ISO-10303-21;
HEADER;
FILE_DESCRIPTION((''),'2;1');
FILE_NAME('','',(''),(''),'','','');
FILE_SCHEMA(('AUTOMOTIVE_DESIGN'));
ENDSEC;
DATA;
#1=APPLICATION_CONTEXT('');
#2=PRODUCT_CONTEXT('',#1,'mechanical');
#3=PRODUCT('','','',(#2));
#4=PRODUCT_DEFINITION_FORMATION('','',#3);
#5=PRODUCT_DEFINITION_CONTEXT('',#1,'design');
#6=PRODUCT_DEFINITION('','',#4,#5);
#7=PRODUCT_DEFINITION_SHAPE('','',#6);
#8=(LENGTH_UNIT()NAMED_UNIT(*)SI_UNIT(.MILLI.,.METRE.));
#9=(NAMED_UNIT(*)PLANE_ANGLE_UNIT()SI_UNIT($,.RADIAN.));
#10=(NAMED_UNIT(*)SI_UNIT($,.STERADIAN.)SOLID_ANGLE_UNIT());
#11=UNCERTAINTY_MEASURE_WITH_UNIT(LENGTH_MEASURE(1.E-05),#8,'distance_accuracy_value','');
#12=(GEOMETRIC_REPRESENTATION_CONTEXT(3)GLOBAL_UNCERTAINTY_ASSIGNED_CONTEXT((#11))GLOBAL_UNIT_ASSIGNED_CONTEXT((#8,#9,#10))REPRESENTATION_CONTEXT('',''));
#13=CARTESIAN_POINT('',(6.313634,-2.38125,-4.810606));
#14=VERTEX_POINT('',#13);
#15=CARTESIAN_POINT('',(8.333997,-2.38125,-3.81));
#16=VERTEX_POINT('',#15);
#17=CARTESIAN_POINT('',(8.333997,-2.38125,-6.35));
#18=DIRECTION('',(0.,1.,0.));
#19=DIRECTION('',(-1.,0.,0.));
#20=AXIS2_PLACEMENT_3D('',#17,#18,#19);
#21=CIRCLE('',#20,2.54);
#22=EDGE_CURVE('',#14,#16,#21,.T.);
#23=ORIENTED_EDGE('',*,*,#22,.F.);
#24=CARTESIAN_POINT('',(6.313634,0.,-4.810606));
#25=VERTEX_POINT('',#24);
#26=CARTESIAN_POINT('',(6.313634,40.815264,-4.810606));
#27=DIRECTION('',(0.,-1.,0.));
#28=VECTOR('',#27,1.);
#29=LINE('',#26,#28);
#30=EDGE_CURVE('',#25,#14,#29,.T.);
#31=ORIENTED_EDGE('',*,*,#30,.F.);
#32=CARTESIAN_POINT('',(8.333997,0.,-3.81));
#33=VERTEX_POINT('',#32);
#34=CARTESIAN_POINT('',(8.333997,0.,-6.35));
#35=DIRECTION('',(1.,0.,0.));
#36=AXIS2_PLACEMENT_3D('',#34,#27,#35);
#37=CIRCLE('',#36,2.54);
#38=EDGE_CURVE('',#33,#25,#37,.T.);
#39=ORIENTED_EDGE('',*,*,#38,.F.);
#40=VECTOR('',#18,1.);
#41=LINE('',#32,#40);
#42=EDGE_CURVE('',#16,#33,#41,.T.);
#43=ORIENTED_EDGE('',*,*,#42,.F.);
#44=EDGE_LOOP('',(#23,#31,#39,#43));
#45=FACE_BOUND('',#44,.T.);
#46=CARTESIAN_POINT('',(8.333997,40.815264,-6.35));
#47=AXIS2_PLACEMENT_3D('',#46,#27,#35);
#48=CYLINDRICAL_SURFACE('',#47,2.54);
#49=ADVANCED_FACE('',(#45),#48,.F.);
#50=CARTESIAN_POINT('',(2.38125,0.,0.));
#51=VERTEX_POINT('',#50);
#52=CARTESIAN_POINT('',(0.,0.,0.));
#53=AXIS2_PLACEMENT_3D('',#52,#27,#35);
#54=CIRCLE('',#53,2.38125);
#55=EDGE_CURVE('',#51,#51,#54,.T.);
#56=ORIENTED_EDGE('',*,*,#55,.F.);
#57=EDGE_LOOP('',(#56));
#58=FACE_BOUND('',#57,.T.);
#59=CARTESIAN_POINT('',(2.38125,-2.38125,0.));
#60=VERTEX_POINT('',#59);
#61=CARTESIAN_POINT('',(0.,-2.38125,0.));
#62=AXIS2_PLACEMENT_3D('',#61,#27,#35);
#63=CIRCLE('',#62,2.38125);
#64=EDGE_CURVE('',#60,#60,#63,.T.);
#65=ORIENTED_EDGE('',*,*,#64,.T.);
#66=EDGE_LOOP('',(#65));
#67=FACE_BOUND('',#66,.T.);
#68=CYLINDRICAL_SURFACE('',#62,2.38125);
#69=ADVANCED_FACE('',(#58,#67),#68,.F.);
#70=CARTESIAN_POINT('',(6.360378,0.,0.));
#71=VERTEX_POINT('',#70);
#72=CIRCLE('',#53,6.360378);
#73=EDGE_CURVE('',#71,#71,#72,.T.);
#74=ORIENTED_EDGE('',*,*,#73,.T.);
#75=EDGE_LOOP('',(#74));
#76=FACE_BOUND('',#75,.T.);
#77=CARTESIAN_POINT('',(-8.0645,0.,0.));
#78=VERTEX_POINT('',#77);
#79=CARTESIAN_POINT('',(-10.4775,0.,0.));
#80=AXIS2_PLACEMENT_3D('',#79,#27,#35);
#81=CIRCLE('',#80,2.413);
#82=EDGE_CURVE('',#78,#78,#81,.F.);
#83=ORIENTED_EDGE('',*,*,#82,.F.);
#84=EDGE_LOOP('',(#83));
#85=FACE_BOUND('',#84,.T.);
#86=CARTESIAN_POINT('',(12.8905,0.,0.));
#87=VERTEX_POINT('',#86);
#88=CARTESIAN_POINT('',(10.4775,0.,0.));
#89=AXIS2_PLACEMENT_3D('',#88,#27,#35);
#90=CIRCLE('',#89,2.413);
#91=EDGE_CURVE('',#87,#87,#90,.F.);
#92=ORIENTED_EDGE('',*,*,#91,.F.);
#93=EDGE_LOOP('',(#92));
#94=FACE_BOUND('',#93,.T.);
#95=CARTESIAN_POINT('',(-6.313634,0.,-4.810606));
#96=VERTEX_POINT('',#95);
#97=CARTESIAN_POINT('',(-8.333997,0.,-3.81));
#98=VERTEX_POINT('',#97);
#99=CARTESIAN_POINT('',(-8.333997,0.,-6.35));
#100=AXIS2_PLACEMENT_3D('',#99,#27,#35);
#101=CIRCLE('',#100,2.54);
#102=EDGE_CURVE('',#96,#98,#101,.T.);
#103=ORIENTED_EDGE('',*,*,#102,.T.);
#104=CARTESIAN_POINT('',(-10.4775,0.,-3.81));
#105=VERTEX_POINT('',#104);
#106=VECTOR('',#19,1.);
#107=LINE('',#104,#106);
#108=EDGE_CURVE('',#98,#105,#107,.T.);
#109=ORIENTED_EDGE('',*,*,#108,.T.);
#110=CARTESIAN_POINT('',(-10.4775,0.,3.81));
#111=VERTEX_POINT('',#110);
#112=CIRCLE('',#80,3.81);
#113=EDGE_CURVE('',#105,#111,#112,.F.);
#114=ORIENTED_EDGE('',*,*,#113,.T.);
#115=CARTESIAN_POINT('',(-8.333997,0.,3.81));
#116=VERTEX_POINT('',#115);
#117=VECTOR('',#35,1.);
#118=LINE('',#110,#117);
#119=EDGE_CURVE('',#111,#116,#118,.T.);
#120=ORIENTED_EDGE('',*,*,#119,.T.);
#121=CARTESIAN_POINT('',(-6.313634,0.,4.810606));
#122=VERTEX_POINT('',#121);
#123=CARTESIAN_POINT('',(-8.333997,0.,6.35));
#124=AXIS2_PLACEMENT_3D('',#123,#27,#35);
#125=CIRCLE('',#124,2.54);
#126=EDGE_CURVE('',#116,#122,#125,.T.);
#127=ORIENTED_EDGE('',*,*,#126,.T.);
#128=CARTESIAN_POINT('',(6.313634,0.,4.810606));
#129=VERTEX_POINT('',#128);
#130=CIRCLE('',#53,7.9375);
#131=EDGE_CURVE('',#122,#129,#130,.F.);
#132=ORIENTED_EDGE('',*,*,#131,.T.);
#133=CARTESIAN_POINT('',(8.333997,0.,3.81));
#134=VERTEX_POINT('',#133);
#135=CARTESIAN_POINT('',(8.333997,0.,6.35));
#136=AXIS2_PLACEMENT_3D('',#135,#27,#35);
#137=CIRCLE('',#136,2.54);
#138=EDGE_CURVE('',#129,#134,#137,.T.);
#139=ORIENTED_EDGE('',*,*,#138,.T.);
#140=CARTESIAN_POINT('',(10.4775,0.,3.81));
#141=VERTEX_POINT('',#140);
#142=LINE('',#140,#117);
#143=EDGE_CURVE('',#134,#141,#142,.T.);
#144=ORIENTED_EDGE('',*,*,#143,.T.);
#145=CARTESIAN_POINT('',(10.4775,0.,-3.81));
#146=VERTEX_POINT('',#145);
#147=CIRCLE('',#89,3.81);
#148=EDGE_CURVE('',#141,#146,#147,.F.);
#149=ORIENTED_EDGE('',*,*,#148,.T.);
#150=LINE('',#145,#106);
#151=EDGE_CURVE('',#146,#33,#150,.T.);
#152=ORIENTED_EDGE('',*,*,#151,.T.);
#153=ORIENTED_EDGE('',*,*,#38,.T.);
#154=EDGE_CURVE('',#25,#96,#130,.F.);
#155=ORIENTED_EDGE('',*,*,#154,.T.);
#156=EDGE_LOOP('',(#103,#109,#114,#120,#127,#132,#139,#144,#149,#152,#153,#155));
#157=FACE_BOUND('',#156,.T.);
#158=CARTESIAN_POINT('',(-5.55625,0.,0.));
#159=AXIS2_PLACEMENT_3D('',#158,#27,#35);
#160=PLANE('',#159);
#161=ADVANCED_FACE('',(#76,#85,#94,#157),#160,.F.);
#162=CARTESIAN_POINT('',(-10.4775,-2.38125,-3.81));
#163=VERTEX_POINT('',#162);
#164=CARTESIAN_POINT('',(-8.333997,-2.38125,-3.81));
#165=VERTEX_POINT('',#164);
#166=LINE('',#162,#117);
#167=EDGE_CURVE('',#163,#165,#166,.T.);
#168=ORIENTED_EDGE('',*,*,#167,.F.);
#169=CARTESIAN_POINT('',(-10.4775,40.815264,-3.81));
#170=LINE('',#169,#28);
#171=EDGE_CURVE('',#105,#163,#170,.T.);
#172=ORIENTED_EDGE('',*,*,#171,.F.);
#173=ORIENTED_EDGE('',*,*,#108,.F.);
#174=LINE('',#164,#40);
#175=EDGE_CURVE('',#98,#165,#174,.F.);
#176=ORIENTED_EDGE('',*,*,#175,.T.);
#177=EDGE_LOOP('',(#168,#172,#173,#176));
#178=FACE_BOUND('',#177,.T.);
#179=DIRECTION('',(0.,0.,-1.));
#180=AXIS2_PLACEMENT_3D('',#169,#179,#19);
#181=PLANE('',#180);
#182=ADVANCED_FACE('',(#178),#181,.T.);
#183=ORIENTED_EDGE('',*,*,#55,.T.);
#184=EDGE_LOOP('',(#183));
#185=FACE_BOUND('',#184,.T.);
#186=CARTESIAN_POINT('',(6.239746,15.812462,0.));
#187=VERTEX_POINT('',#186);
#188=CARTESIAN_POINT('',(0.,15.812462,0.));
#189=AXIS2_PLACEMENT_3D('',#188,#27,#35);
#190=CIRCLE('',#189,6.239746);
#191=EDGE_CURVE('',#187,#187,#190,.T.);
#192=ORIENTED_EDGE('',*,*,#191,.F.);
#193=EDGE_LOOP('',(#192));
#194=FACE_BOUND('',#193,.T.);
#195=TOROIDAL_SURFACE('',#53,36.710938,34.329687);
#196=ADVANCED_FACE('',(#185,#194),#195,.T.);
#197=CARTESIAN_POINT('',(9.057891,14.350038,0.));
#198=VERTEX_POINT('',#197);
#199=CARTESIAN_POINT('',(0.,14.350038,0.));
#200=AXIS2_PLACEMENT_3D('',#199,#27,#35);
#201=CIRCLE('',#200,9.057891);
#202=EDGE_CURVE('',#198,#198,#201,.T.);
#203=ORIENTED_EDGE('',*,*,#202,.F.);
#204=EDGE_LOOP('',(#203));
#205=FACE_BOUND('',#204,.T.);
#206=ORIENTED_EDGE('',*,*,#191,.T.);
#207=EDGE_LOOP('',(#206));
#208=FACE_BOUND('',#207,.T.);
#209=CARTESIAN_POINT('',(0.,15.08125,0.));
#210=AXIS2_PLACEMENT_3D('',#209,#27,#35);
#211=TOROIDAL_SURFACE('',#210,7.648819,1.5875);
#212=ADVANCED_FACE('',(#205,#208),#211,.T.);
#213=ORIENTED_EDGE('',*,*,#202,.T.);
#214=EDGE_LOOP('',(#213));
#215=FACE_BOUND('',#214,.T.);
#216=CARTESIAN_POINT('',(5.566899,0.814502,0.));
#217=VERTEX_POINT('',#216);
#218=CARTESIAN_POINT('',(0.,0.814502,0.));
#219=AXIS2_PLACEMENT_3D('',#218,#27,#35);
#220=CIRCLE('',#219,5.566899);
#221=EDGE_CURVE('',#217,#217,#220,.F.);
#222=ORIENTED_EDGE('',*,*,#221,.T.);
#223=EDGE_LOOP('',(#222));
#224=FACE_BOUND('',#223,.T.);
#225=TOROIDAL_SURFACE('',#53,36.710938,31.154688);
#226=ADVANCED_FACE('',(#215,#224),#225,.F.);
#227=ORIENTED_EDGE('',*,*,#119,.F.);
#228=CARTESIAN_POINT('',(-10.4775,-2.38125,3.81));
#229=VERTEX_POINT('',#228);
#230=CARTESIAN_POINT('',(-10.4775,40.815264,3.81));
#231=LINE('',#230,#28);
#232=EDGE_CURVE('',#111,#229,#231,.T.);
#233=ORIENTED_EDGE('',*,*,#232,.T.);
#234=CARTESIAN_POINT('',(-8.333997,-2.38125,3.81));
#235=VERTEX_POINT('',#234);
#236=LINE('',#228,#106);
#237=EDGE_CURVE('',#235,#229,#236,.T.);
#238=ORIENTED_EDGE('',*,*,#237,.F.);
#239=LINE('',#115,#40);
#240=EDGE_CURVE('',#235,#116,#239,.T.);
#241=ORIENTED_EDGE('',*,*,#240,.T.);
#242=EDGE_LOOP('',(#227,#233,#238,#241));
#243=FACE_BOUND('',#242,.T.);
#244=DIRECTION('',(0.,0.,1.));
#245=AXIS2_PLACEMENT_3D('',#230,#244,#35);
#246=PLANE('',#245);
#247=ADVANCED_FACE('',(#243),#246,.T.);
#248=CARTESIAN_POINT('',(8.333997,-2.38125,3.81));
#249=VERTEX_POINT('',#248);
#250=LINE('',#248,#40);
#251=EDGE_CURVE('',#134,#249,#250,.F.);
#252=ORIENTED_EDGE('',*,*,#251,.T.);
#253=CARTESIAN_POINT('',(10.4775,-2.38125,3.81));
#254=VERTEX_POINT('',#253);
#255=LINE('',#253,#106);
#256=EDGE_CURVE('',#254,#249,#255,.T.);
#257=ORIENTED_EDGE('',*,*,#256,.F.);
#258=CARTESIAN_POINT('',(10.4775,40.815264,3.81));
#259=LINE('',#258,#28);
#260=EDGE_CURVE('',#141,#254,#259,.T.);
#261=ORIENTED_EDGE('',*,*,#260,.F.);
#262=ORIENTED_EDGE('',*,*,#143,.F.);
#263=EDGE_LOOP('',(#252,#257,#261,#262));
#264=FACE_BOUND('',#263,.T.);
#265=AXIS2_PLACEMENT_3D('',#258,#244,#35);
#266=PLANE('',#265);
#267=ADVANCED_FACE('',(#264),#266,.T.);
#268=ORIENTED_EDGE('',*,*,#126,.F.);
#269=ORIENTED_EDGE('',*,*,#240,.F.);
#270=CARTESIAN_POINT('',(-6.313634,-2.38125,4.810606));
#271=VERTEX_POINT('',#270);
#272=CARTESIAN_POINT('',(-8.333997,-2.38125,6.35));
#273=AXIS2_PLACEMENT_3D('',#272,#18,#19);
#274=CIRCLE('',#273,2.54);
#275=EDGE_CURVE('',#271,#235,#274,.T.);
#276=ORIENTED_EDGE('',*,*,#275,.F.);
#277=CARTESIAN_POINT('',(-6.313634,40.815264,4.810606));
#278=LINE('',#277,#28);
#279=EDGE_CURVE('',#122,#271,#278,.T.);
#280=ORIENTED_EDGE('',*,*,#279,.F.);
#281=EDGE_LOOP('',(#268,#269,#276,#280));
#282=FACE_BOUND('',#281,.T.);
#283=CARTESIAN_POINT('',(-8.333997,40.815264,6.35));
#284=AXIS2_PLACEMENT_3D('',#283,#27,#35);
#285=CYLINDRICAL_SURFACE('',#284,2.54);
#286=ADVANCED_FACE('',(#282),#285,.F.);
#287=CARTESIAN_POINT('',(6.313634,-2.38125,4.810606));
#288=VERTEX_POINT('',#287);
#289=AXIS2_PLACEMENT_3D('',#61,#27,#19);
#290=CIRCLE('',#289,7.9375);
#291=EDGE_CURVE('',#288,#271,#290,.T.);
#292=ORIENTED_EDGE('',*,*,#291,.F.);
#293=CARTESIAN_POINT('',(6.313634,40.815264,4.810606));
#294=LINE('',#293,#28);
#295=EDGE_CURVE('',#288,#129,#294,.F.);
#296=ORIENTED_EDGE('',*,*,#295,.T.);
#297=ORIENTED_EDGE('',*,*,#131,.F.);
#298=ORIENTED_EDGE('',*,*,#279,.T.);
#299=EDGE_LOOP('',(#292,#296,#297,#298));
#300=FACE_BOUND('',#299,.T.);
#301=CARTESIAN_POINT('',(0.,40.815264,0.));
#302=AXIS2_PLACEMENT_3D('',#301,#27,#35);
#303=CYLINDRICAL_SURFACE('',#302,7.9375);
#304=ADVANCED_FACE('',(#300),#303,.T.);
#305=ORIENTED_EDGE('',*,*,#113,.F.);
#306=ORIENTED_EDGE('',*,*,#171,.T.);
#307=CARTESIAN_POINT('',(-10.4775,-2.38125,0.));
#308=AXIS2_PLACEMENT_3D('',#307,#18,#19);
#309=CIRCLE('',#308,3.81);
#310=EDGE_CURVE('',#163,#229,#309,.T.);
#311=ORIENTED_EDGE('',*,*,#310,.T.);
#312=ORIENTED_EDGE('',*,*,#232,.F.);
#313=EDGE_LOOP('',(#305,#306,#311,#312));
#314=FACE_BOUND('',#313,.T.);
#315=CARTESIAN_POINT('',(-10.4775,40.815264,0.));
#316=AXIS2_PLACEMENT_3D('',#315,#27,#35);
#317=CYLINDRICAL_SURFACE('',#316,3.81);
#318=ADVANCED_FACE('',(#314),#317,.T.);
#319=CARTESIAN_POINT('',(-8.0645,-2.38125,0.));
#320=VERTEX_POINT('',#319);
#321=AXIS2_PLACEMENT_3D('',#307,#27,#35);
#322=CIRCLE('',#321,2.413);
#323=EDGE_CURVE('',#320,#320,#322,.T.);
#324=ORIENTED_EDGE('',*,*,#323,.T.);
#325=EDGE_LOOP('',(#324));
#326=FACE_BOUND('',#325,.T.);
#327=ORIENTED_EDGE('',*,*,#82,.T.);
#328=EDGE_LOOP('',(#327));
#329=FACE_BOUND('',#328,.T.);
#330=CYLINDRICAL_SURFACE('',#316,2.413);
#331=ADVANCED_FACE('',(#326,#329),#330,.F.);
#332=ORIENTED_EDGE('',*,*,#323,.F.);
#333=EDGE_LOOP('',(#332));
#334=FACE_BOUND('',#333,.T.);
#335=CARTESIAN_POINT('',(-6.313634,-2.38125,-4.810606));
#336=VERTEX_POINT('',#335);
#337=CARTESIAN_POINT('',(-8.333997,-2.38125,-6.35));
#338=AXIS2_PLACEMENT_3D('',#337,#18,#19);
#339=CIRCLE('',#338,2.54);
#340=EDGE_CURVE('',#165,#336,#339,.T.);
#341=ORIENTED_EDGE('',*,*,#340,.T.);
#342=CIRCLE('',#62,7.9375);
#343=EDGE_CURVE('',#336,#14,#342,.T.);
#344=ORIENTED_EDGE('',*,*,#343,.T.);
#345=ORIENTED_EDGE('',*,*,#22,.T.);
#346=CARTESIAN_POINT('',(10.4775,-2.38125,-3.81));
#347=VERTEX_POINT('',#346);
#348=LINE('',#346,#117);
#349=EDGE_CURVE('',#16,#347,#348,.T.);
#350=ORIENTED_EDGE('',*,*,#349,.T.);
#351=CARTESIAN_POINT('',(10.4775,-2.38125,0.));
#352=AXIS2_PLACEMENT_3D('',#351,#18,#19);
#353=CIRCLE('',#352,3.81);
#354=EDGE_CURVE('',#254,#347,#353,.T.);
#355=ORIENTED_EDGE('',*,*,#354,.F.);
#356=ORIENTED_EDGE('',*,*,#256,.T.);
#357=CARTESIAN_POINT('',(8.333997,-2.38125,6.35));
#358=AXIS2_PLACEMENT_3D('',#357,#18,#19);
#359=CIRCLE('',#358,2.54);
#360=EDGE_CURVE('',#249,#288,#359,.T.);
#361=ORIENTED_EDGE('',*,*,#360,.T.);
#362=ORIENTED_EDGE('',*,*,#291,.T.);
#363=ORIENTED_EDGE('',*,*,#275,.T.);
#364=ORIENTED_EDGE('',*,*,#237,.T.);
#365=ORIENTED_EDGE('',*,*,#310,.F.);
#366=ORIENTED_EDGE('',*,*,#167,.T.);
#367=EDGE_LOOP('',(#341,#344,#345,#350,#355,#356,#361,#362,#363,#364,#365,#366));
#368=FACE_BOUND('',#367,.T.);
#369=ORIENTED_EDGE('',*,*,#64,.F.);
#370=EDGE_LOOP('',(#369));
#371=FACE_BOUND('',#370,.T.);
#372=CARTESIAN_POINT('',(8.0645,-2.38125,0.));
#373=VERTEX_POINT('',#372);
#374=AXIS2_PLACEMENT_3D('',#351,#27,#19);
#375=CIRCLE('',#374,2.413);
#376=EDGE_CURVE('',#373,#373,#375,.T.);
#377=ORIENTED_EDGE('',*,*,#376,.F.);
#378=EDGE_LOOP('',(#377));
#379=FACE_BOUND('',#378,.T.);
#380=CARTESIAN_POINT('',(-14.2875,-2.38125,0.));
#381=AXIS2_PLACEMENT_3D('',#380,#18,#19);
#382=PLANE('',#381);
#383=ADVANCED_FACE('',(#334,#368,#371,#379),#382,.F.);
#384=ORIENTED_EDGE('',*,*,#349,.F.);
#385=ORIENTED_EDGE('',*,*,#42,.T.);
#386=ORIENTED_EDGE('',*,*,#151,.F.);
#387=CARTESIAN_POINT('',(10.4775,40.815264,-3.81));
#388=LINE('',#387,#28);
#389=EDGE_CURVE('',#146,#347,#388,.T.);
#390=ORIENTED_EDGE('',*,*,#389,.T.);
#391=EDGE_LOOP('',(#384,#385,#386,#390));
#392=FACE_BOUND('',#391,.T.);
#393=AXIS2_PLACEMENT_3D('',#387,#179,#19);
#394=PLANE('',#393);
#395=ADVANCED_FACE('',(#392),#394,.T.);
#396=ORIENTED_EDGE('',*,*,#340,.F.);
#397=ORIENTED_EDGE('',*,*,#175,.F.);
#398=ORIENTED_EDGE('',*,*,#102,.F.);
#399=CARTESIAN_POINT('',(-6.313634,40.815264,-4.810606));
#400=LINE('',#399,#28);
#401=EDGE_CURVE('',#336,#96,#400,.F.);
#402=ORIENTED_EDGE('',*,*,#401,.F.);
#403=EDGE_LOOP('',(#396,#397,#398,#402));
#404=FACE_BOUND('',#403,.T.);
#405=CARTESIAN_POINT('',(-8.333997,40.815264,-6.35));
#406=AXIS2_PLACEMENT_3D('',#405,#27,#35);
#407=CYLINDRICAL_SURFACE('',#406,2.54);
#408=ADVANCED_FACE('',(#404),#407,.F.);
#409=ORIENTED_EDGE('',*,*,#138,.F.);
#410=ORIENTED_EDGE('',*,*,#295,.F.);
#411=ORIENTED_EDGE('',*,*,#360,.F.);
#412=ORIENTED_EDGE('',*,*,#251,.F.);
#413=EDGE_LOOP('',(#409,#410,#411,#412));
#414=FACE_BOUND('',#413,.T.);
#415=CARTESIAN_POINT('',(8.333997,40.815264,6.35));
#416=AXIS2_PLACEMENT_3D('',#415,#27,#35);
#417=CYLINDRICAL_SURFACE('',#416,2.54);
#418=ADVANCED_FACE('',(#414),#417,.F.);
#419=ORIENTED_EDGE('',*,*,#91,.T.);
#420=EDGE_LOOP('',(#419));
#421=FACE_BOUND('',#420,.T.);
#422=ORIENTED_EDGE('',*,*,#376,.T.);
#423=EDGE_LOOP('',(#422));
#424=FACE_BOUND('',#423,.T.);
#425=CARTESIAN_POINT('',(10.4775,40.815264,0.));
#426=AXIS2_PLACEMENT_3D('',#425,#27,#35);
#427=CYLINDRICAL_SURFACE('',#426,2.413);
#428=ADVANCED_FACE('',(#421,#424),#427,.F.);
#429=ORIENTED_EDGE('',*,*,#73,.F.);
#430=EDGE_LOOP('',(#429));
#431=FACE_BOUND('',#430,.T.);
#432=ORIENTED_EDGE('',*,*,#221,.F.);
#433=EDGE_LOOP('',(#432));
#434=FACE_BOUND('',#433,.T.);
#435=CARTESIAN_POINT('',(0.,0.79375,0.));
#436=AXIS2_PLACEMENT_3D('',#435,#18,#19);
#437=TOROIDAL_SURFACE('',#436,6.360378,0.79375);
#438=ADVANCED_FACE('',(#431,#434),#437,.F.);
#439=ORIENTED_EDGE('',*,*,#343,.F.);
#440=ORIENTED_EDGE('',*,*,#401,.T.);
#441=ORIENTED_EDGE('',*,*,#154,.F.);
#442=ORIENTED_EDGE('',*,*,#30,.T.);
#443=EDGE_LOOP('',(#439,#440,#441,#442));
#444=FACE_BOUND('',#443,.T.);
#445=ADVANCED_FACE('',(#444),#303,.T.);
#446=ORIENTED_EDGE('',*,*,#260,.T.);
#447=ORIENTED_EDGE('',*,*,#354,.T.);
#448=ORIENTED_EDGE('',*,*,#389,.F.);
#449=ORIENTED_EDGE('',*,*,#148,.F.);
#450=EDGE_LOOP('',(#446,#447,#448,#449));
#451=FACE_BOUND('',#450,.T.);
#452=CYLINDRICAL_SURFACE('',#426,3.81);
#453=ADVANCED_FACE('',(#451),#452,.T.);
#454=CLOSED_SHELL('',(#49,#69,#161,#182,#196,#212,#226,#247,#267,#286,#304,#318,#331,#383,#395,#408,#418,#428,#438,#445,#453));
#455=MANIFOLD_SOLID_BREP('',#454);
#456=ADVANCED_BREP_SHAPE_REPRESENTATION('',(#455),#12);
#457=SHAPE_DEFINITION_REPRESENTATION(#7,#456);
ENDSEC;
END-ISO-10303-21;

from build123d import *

# Parameters (mm, degrees)
SKETCH2_OUTSIDE_W  = 39.511
SKETCH2_OUTSIDE_H  = 39.51
SKETCH2_OUTSIDE_R  = 2.413
CUT_EXTRUDE1_DEPTH = 2.38125
FILLET1_R          = 2.54
FILLET2_R          = 0.79375


with BuildPart() as part:
    # Sketch1 → Revolve1 (revolve)
    with BuildSketch(Plane.XY):
        with BuildLine():
            Line((-5.55625, 0), (-14.2875, 0))
            Line((-14.2875, 0), (-14.2875, -2.38125))
            Line((-14.2875, -2.38125), (-2.38125, -2.38125))
            Line((-2.38125, -2.38125), (-2.38125, 0))
            ThreePointArc((-2.38125, 0), (-3.359821243, 8.138211612), (-6.239746425, 15.812462121))
            ThreePointArc((-6.239746425, 15.812462121), (-8.380030966, 16.49032242), (-9.057891265, 14.350037879))
            ThreePointArc((-9.057891265, 14.350037879), (-6.444317544, 7.385544643), (-5.55625, 0))
        make_face()
    revolve(axis=Axis((0, -2.38125, 0), (0, 1, 0)))

    # Sketch2 outside → Cut-Extrude1 (cut)
    with BuildSketch(Plane.XZ.offset(2.38125)):
        with Locations((0.0005, 0)):
            Rectangle(SKETCH2_OUTSIDE_W, SKETCH2_OUTSIDE_H)
        with BuildLine():
            Line((-10.4775, 3.81), (-6.963318623, 3.81))
            ThreePointArc((-6.963318623, 3.81), (0, 7.9375), (6.963318623, 3.81))
            Line((6.963318623, 3.81), (10.4775, 3.81))
            ThreePointArc((10.4775, 3.81), (14.2875, 0), (10.4775, -3.81))
            Line((10.4775, -3.81), (6.963318623, -3.81))
            ThreePointArc((6.963318623, -3.81), (0, -7.9375), (-6.963318623, -3.81))
            Line((-6.963318623, -3.81), (-10.4775, -3.81))
            ThreePointArc((-10.4775, -3.81), (-14.2875, 0), (-10.4775, 3.81))
        make_face(mode=Mode.SUBTRACT)
        with Locations((-10.4775, 0)):
            Circle(SKETCH2_OUTSIDE_R)
        with Locations((10.4775, 0)):
            Circle(SKETCH2_OUTSIDE_R)
    extrude(amount=-CUT_EXTRUDE1_DEPTH, mode=Mode.SUBTRACT)

    # Fillet1
    fillet1_edges = [part.edges().sort_by_distance(p)[0] for p in [
        (-6.963318623, -1.190625, -3.81),
        (6.963318623, -1.190625, -3.81),
        (6.963318623, -1.190625, 3.81),
        (-6.963318623, -1.190625, 3.81),
    ]]
    fillet(fillet1_edges, radius=FILLET1_R)

    # Fillet2
    fillet2_edges = [part.edges().sort_by_distance(p)[0] for p in [
        (5.55625, 0, 0),
    ]]
    fillet(fillet2_edges, radius=FILLET2_R)


solid = part.part
